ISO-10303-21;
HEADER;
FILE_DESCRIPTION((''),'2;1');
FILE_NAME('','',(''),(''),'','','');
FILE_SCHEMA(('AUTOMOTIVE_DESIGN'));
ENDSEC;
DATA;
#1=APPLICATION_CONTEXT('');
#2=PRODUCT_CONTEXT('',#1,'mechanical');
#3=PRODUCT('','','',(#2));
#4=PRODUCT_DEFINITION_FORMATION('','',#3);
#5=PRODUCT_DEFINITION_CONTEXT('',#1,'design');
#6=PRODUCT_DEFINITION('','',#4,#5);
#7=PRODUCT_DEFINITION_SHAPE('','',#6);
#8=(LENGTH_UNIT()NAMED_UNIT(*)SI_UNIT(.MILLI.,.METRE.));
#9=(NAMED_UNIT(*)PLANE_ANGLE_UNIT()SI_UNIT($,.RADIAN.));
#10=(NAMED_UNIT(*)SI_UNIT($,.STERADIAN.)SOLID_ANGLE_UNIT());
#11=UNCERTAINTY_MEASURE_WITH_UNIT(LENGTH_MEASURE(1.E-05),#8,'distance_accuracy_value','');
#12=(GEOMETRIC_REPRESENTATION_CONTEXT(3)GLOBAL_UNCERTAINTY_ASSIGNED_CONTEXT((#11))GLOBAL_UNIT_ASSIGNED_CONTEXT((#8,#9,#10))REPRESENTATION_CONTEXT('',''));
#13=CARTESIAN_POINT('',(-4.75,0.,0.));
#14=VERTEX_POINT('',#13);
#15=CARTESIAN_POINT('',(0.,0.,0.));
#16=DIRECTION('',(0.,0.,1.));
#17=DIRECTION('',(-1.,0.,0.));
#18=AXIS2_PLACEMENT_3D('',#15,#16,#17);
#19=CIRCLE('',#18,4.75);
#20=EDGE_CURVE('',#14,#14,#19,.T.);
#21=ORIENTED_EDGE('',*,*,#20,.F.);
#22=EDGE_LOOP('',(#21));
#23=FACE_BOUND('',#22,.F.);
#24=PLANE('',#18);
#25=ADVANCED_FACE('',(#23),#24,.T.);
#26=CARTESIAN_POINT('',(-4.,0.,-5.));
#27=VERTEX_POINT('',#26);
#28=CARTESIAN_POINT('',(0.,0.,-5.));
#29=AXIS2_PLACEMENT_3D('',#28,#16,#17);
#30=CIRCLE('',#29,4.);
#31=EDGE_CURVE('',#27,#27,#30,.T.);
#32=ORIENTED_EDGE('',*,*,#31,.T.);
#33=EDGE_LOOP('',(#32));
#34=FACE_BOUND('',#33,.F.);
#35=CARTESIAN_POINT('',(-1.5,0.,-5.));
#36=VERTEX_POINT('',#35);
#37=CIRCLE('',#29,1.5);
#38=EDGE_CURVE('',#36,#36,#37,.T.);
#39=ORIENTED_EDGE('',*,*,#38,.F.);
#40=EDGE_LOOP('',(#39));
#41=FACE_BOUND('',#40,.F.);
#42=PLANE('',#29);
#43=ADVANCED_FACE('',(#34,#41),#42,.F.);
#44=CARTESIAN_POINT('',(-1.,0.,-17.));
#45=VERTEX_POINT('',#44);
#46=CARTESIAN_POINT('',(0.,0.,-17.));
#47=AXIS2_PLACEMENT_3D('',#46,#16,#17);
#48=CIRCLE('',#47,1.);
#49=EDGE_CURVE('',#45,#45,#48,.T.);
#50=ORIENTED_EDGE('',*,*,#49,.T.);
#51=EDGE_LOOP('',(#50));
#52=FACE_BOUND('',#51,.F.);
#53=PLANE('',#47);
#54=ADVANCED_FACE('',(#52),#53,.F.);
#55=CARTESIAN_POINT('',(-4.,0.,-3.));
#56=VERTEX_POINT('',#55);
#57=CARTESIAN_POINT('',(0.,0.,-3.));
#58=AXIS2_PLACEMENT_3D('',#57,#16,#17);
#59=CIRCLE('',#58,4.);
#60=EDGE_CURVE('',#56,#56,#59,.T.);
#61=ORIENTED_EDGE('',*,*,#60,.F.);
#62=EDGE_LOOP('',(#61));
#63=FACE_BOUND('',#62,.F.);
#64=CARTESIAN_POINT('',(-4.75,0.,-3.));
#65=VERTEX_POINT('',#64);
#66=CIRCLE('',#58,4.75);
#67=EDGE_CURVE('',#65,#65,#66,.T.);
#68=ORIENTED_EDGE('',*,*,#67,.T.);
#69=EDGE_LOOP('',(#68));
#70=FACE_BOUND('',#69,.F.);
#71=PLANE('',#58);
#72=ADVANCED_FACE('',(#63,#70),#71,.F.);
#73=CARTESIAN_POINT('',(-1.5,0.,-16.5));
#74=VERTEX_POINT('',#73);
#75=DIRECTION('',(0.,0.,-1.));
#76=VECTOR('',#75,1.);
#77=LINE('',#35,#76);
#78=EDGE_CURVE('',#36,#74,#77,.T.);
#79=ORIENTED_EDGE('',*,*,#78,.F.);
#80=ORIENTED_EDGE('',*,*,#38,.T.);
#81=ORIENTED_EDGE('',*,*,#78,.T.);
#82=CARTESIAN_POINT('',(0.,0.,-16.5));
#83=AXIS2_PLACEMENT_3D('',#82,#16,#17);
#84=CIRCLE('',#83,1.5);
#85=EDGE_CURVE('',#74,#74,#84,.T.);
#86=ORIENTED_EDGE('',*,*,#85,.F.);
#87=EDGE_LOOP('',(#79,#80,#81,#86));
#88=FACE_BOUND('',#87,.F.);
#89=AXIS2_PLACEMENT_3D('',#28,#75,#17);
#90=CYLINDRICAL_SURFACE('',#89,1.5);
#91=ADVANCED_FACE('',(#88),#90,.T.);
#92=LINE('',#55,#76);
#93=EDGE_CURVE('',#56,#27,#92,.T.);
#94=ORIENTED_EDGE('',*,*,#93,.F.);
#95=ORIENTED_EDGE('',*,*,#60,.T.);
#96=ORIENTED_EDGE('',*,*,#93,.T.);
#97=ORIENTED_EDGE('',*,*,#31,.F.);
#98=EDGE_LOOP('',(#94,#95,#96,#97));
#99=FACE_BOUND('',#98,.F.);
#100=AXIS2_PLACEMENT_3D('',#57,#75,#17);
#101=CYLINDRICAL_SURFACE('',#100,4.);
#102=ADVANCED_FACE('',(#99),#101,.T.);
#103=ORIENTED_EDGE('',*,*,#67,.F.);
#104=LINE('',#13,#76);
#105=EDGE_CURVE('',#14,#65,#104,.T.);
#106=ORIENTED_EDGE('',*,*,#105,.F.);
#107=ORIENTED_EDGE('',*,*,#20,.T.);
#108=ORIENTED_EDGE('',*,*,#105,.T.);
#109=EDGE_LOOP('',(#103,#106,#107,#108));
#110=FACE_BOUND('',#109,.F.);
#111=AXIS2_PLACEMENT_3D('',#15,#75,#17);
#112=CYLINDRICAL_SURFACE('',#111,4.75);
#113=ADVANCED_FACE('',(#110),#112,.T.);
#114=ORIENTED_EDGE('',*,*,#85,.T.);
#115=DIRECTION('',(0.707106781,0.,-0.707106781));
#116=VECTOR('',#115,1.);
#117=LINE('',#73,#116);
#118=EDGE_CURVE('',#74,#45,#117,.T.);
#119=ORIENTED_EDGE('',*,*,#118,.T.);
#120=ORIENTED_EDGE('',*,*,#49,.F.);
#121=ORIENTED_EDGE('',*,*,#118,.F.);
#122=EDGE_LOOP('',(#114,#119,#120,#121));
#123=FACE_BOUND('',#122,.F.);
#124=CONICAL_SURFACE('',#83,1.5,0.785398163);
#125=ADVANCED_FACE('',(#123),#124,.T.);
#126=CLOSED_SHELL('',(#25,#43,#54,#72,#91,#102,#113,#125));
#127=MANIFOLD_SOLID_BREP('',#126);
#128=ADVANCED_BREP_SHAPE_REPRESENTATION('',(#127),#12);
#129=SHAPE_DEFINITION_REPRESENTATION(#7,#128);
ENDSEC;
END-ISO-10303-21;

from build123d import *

# Parameters (mm, degrees)
F2_SIZE = 0.5


with BuildPart() as f1:
    # F0 (on Front) → F1 (revolve)
    with BuildSketch(Plane.XZ):
        Polygon((0, 0), (-4.75, 0), (-4.75, -3), (-4, -3), (-4, -5), (-1.5, -5), (-1.5, -17), (0, -17), align=None)
    revolve(axis=Axis((0, 0, -8.5), (0, 0, 1)))

    # F2
    f2_edges = [f1.edges().sort_by_distance(p)[0] for p in [
        (1.5, 0, -17),
    ]]
    chamfer(f2_edges, length=F2_SIZE)


solid = f1.part
